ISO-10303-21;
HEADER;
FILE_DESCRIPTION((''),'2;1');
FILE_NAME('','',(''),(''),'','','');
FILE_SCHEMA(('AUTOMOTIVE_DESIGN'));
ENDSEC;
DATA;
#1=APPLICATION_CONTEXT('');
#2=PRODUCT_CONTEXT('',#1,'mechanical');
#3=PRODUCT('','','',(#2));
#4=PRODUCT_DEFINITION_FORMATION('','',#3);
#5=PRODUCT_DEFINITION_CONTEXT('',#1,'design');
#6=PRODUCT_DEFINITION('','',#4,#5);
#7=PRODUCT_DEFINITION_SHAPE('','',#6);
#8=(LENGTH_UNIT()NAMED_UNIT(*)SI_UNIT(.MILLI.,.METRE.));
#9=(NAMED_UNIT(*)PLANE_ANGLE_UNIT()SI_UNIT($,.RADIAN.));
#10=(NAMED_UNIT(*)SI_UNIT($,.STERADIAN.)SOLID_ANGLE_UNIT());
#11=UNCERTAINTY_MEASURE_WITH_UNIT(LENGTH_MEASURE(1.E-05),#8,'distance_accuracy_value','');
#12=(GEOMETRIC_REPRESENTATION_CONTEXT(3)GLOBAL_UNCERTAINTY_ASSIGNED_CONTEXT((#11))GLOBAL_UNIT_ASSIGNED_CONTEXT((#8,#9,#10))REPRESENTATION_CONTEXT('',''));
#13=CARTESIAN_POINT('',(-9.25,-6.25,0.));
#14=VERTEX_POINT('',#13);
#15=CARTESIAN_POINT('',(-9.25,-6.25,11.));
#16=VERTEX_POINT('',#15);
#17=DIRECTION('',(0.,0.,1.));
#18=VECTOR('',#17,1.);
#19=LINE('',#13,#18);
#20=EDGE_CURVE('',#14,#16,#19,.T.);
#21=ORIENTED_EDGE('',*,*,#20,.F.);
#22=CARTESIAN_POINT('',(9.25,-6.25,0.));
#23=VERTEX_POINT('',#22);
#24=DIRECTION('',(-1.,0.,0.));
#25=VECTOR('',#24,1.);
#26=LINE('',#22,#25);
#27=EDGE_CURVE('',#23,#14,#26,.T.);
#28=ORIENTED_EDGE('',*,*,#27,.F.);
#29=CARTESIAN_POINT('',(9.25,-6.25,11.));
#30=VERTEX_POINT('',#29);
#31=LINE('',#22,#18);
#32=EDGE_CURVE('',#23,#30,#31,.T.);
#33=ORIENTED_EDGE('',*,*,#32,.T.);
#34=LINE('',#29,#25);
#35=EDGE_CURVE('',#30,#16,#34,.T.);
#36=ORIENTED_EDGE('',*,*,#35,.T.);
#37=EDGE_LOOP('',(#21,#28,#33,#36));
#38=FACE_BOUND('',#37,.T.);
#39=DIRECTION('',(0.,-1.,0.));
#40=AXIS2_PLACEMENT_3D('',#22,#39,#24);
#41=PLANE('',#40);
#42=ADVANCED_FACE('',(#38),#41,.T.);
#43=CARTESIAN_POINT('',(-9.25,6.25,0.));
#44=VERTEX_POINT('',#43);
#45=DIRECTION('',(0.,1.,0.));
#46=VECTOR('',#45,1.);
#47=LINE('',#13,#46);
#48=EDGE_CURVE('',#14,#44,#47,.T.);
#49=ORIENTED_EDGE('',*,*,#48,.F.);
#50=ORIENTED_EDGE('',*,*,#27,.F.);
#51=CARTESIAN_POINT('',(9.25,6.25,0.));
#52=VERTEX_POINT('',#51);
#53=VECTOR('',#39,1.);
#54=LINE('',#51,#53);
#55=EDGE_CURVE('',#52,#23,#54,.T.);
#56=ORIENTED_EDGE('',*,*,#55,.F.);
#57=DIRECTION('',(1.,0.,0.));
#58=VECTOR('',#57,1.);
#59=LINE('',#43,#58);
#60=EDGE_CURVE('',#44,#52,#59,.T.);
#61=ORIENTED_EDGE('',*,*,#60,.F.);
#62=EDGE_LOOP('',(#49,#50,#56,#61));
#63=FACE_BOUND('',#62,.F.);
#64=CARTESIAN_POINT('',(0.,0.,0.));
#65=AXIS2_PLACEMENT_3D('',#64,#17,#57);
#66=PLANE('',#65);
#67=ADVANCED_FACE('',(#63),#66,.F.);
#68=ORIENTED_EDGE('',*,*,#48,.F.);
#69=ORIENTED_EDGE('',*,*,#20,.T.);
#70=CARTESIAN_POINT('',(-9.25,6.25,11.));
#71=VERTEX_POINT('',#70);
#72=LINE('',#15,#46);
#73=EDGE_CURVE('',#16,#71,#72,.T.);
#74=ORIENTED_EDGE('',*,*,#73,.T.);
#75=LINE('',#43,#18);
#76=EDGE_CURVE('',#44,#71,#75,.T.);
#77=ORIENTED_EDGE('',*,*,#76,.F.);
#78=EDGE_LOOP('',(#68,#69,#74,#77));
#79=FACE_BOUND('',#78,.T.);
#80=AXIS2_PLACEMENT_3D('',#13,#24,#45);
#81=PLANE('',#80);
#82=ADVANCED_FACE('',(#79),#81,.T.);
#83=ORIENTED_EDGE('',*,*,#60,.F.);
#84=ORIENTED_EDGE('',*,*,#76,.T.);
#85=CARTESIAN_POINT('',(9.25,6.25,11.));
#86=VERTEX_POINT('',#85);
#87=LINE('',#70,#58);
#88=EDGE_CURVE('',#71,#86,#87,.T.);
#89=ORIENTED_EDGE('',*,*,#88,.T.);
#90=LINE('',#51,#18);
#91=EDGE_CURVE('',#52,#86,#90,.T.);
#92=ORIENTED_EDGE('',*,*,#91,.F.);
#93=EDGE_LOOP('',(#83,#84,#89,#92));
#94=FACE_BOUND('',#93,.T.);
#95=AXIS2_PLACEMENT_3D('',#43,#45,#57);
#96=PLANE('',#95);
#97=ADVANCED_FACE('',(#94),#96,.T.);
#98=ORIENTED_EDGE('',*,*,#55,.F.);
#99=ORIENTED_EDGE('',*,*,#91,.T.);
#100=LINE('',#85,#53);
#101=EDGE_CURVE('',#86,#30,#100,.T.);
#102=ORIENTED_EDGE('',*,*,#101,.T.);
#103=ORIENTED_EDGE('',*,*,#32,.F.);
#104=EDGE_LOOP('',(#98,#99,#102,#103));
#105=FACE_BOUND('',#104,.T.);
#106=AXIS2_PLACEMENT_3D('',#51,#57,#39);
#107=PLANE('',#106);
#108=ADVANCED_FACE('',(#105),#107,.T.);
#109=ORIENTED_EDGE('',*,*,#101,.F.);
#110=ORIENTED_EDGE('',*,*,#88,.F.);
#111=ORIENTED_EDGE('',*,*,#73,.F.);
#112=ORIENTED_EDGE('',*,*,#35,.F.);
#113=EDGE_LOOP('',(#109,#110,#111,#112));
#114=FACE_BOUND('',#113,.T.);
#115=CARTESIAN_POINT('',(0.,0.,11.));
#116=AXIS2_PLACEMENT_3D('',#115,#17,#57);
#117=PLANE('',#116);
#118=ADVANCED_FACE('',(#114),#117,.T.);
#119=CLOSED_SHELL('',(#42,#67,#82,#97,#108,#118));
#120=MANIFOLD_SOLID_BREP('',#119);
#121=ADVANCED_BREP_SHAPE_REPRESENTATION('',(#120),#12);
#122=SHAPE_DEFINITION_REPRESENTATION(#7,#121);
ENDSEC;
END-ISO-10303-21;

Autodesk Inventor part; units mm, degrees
ref_plane "YZ Plane" through (0, 0, 0) normal (1, 0, 0) x (0, 1, 0)
ref_plane "XZ Plane" through (0, 0, 0) normal (0, 1, 0) x (-1, 0, 0)
ref_plane "XY Plane" through (0, 0, 0) normal (0, 0, 1) x (1, 0, 0)
sketch "Szkic1" plane through (0, 0, 0) normal (0, 0, 1) x (1, 0, 0)
  line L0 (-9.25, 6.25) -> (9.25, 6.25)
  line L1 (9.25, 6.25) -> (9.25, -6.25)
  line L2 (9.25, -6.25) -> (-9.25, -6.25)
  line L3 (-9.25, -6.25) -> (-9.25, 6.25)
  point P0 (0, 0)
  dimension "d0" = 18.5
  dimension "d1" = 12.5
  dimension "d2" = 9.25
  dimension "d3" = 6.25
extrude "Wyciągnięcie proste1" add sketch "Szkic1" along normal blind 11
properties part number "switch"
